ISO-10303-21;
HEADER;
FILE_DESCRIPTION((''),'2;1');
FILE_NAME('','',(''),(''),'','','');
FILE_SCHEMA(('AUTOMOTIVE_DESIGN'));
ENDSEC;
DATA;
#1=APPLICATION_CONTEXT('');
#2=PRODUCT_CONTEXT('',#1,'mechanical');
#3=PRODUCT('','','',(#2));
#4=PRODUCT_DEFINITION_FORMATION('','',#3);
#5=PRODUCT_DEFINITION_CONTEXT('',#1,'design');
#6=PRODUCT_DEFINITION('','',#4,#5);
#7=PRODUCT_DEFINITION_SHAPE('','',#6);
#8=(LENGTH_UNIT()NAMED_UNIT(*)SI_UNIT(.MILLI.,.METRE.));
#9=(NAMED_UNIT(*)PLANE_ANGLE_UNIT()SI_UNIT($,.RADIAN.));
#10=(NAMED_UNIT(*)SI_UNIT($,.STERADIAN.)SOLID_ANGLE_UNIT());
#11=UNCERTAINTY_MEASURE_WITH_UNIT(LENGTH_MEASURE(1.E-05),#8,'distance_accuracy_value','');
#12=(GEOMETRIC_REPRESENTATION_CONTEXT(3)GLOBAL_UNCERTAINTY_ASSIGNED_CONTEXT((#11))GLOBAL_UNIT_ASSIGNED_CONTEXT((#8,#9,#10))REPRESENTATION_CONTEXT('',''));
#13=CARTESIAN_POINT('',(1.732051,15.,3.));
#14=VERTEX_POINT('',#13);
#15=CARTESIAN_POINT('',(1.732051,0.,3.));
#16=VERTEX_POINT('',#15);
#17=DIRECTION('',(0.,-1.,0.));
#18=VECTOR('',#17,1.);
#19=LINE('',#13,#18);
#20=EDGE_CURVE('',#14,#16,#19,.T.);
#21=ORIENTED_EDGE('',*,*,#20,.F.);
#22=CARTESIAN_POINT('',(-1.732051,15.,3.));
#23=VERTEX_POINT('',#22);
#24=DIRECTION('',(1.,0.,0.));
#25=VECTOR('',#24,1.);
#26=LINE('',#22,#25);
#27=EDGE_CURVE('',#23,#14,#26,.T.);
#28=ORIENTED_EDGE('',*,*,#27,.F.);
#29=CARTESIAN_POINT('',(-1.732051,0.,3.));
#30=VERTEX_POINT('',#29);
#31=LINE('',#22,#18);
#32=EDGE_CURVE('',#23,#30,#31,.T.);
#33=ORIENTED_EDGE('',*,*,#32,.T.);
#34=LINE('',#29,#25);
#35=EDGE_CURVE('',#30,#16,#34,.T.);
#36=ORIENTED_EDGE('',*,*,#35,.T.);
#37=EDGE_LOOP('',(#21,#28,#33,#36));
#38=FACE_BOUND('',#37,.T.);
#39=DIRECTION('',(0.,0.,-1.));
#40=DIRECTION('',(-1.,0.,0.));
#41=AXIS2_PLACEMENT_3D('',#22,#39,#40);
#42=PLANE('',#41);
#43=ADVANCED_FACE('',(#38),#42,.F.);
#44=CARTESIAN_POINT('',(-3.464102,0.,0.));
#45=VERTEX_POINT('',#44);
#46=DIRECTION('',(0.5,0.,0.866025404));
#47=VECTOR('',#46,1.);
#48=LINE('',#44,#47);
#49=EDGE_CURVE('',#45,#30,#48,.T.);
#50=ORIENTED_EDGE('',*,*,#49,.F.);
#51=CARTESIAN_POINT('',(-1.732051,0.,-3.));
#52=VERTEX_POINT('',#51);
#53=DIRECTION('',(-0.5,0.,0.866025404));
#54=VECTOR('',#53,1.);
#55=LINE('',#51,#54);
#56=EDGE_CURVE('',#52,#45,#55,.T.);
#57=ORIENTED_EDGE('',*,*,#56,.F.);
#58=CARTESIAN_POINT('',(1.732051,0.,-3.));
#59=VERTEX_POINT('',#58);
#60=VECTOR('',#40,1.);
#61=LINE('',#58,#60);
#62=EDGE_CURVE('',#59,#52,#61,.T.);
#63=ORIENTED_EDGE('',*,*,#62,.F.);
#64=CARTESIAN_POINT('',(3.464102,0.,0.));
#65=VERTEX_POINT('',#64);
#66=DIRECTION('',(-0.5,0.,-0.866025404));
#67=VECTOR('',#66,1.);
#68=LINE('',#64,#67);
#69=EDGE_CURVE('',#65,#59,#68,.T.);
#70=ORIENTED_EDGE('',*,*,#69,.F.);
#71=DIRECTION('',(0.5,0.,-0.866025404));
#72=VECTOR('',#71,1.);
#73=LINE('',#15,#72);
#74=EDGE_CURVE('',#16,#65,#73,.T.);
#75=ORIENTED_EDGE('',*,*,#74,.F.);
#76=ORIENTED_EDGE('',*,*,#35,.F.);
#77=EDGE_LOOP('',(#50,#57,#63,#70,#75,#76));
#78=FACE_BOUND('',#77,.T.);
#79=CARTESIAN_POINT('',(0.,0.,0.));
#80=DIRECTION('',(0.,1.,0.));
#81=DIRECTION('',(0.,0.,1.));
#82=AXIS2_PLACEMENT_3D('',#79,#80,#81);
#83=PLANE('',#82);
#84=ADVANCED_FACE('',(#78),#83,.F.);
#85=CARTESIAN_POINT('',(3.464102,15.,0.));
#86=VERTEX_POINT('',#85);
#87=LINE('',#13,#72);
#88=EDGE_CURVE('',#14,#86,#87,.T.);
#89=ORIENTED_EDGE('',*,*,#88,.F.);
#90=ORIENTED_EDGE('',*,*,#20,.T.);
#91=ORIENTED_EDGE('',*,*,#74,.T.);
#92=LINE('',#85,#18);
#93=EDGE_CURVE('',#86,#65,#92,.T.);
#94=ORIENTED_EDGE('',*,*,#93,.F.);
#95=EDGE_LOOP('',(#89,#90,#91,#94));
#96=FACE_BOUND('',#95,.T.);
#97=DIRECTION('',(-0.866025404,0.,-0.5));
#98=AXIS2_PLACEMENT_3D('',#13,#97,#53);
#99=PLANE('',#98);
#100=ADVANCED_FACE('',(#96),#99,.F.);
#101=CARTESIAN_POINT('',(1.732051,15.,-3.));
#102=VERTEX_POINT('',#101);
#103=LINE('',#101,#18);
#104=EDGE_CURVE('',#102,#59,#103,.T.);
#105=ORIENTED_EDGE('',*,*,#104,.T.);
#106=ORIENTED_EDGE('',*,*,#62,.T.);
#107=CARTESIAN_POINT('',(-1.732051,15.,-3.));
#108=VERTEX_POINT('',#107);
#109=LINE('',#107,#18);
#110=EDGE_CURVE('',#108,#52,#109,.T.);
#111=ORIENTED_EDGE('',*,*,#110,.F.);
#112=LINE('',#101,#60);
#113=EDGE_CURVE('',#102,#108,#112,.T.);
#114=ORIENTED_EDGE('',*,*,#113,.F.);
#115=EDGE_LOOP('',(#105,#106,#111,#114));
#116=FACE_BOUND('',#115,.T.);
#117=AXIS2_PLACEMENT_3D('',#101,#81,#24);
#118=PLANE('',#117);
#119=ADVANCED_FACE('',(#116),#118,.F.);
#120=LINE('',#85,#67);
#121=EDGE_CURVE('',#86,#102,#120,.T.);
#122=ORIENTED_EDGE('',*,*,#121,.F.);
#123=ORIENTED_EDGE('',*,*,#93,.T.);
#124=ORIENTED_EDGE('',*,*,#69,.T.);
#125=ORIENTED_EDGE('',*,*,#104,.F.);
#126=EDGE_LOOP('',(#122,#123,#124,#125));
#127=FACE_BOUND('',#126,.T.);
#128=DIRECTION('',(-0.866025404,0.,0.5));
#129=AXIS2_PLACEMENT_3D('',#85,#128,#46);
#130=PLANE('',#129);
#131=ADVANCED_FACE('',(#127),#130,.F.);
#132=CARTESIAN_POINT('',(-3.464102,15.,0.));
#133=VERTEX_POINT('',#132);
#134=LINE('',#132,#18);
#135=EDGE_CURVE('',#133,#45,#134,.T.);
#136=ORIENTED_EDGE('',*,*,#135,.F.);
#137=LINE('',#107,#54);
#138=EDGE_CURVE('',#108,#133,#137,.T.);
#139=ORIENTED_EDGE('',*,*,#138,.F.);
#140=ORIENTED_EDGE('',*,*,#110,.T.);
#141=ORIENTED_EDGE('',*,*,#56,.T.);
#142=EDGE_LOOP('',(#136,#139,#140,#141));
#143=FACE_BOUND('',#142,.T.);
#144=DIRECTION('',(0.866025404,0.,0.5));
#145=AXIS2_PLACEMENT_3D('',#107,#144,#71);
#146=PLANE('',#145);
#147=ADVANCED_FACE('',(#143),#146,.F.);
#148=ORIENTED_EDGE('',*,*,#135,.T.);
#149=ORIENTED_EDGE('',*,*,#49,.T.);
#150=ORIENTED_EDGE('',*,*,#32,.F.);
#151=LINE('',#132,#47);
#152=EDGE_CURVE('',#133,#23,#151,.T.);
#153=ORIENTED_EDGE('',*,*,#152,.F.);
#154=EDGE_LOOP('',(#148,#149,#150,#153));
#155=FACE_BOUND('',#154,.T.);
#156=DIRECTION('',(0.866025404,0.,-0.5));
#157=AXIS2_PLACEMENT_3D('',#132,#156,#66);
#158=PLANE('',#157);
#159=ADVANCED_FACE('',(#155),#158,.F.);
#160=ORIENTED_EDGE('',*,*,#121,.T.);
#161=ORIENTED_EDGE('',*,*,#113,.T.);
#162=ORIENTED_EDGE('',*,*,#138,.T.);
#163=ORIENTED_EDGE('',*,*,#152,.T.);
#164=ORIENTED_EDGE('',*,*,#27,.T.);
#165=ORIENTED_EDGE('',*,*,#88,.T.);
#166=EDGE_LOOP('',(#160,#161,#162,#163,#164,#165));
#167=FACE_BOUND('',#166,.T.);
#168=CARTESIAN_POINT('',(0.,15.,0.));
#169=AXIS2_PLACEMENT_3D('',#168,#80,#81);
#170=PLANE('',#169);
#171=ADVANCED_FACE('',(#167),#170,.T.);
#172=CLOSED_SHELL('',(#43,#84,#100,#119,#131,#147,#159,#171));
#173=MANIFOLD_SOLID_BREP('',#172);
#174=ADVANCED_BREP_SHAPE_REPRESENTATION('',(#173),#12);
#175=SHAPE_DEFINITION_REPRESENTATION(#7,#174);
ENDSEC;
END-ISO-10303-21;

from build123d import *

# Parameters (mm, degrees)
BOSS_EXTRUDE1_DEPTH = 15


with BuildPart() as part:
    # Sketch1 → Boss-Extrude1 (new body)
    with BuildSketch(Plane(origin=(0, 0, 0), x_dir=(1, 0, 0), z_dir=(0, 1, 0))):
        Polygon((1.732050808, 3), (-1.732050808, 3), (-3.464101615, 0), (-1.732050808, -3), (1.732050808, -3), (3.464101615, 0), align=None)
    extrude(amount=BOSS_EXTRUDE1_DEPTH)


solid = part.part
